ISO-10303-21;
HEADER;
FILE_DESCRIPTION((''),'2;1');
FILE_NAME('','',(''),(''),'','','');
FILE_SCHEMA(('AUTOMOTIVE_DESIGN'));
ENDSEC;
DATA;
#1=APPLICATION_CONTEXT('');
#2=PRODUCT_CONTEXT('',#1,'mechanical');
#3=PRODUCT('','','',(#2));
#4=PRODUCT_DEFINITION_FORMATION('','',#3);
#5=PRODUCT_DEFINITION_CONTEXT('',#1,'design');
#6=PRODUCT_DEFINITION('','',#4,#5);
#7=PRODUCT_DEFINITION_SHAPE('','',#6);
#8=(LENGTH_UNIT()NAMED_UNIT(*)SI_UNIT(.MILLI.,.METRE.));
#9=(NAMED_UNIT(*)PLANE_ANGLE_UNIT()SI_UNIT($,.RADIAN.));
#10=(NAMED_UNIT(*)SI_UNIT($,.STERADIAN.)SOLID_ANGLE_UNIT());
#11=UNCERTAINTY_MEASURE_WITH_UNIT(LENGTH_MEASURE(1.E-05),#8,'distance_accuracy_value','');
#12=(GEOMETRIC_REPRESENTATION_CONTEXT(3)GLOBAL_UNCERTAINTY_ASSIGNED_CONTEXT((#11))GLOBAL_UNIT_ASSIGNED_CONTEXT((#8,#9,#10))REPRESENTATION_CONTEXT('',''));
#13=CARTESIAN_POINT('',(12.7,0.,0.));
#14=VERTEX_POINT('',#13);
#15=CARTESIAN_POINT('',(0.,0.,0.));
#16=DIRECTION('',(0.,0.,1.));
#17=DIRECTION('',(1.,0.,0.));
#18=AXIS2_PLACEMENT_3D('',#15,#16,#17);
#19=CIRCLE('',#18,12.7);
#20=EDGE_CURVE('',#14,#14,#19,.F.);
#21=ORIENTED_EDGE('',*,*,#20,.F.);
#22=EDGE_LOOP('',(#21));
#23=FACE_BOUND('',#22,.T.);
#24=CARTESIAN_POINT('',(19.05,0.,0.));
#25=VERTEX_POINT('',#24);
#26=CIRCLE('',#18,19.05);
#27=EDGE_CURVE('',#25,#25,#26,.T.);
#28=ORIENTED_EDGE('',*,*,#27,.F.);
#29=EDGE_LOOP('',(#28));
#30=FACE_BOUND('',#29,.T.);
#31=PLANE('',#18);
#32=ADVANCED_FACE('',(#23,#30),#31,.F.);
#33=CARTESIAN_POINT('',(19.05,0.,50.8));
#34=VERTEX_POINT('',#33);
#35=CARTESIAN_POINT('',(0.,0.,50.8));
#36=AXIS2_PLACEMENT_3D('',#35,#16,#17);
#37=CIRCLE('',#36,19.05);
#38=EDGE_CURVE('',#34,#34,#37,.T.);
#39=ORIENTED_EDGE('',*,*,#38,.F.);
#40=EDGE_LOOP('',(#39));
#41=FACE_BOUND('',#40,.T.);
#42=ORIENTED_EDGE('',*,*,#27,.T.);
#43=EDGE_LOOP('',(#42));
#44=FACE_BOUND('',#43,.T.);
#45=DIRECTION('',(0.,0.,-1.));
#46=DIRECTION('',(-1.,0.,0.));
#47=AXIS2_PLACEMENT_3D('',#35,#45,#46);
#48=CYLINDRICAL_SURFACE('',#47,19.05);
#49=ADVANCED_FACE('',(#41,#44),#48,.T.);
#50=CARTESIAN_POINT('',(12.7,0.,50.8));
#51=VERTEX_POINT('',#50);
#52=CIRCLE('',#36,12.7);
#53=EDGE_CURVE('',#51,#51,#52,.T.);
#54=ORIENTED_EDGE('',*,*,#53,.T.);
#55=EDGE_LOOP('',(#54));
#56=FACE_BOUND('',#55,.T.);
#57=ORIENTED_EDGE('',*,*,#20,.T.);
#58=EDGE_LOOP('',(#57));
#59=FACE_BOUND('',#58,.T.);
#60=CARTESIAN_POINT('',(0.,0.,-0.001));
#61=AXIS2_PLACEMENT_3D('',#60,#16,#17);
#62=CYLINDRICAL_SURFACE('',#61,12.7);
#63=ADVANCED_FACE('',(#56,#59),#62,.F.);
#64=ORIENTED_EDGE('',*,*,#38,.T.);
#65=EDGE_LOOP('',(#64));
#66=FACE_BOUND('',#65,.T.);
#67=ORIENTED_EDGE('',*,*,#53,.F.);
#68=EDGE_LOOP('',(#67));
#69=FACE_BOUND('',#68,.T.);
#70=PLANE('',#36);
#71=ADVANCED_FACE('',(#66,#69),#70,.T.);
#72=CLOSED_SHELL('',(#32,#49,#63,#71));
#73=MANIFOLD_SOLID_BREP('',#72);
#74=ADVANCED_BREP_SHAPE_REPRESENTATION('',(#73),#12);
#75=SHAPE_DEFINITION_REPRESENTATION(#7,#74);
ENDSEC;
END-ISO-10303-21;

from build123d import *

# Parameters (mm, degrees)
SKETCH1_R           = 19.05
BOSS_EXTRUDE1_DEPTH = 50.8
CUT_EXTRUDE1_REACH  = 59.502
SKETCH2_R           = 12.7


with BuildPart() as part:
    # Sketch1 → Boss-Extrude1 (new body)
    with BuildSketch(Plane.XY):
        Circle(SKETCH1_R)
    extrude(amount=BOSS_EXTRUDE1_DEPTH)

    # Sketch2 → Cut-Extrude1 (cut, up to next)
    with BuildSketch(Plane.XY.offset(50.8), mode=Mode.PRIVATE) as cut_extrude1_sk1:
        Circle(SKETCH2_R)
    cut_extrude1_tool1 = extrude(cut_extrude1_sk1.sketch, amount=-CUT_EXTRUDE1_REACH, mode=Mode.PRIVATE) & part.part
    add(cut_extrude1_tool1.solids().sort_by_distance((0, 0, 50.8))[0], mode=Mode.SUBTRACT)


solid = part.part
